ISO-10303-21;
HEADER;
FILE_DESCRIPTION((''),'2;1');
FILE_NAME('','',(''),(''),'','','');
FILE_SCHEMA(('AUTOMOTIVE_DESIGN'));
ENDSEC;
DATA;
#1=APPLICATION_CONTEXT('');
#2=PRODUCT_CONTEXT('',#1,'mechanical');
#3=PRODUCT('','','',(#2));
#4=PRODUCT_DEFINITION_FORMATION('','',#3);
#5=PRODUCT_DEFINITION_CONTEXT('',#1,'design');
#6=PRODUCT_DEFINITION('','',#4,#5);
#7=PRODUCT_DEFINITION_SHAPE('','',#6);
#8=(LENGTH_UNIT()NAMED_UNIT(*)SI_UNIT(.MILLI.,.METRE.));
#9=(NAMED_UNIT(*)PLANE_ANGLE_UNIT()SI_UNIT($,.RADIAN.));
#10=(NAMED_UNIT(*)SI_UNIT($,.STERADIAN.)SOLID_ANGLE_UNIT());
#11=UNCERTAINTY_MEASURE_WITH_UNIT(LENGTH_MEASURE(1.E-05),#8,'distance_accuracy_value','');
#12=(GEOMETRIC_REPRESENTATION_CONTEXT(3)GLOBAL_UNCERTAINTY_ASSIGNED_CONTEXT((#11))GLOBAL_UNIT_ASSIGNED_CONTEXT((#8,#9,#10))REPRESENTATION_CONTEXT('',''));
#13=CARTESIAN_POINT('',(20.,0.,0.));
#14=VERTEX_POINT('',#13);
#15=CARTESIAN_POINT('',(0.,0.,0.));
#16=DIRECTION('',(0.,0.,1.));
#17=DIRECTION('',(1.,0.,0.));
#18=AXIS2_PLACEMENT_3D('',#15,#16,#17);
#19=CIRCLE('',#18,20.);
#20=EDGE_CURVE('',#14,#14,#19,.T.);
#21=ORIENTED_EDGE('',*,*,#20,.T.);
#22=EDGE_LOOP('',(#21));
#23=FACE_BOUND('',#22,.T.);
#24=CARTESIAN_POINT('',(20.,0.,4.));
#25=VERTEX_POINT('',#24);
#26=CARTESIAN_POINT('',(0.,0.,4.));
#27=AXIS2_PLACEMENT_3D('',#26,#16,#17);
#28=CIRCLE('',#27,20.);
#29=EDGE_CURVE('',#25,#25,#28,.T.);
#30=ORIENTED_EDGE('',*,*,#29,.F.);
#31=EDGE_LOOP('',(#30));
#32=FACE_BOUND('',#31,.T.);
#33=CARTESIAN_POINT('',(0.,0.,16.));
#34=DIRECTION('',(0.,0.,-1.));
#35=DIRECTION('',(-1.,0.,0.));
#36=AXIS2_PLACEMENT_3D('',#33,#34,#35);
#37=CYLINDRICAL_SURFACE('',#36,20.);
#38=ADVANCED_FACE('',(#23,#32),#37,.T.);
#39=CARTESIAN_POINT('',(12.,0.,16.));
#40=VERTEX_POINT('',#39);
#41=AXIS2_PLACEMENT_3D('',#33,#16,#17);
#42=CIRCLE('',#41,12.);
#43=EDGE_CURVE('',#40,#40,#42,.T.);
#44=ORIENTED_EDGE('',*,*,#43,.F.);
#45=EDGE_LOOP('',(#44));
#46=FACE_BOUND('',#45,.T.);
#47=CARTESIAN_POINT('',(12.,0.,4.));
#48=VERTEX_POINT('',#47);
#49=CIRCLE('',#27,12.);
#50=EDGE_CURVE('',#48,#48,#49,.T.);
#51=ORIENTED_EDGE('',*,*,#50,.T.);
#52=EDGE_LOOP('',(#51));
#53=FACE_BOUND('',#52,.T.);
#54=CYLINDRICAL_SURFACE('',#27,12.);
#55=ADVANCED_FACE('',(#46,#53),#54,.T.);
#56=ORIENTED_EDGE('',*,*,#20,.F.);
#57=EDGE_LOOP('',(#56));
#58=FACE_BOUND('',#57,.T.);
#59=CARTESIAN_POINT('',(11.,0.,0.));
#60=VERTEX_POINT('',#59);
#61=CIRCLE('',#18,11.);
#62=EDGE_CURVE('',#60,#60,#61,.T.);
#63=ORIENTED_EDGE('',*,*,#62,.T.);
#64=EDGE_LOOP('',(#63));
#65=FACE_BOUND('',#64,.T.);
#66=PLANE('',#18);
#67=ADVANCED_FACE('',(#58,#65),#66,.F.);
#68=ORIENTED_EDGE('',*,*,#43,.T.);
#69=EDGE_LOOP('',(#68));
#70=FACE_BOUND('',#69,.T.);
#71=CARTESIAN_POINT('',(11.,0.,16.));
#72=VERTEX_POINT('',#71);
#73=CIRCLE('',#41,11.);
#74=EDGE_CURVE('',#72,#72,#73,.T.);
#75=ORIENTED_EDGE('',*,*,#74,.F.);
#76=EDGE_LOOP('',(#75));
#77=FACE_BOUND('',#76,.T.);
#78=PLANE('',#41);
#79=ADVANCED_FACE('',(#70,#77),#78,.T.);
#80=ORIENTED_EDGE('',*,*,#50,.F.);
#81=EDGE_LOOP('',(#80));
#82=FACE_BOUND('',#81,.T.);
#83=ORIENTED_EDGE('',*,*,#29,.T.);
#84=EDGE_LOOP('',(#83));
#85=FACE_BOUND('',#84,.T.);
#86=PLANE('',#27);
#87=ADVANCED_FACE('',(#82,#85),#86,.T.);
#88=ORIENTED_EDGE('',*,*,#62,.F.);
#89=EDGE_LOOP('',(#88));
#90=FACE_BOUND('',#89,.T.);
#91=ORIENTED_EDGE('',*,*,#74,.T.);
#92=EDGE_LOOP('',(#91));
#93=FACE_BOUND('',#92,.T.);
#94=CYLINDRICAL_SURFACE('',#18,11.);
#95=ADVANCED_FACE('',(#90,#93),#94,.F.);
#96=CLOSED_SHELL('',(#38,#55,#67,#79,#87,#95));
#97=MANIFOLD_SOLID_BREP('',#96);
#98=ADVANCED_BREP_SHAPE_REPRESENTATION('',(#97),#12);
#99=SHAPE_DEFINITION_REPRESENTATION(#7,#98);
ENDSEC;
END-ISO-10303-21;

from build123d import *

# Parameters (mm, degrees)
ESQUISSE1_R             = 20
BOSS_EXTRU_1_DEPTH      = 16
ESQUISSE2_R             = 20
ESQUISSE2_R_2           = 12
ENL_V_MAT_EXTRU_1_DEPTH = 12
ESQUISSE3_R             = 11
ENL_V_MAT_EXTRU_2_DEPTH = 17


with BuildPart() as part:
    # Esquisse1 → Boss.-Extru.1 (new body)
    with BuildSketch(Plane.XY):
        Circle(ESQUISSE1_R)
    extrude(amount=BOSS_EXTRU_1_DEPTH)

    # Esquisse2 → Enlèv. mat.-Extru.1 (cut)
    with BuildSketch(Plane.XY.offset(16)):
        Circle(ESQUISSE2_R)
        Circle(ESQUISSE2_R_2, mode=Mode.SUBTRACT)
    extrude(amount=-ENL_V_MAT_EXTRU_1_DEPTH, mode=Mode.SUBTRACT)

    # Esquisse3 → Enlèv. mat.-Extru.2 (cut, through all)
    with BuildSketch(Plane.XY.offset(16)):
        Circle(ESQUISSE3_R)
    extrude(amount=-ENL_V_MAT_EXTRU_2_DEPTH, mode=Mode.SUBTRACT)


solid = part.part
